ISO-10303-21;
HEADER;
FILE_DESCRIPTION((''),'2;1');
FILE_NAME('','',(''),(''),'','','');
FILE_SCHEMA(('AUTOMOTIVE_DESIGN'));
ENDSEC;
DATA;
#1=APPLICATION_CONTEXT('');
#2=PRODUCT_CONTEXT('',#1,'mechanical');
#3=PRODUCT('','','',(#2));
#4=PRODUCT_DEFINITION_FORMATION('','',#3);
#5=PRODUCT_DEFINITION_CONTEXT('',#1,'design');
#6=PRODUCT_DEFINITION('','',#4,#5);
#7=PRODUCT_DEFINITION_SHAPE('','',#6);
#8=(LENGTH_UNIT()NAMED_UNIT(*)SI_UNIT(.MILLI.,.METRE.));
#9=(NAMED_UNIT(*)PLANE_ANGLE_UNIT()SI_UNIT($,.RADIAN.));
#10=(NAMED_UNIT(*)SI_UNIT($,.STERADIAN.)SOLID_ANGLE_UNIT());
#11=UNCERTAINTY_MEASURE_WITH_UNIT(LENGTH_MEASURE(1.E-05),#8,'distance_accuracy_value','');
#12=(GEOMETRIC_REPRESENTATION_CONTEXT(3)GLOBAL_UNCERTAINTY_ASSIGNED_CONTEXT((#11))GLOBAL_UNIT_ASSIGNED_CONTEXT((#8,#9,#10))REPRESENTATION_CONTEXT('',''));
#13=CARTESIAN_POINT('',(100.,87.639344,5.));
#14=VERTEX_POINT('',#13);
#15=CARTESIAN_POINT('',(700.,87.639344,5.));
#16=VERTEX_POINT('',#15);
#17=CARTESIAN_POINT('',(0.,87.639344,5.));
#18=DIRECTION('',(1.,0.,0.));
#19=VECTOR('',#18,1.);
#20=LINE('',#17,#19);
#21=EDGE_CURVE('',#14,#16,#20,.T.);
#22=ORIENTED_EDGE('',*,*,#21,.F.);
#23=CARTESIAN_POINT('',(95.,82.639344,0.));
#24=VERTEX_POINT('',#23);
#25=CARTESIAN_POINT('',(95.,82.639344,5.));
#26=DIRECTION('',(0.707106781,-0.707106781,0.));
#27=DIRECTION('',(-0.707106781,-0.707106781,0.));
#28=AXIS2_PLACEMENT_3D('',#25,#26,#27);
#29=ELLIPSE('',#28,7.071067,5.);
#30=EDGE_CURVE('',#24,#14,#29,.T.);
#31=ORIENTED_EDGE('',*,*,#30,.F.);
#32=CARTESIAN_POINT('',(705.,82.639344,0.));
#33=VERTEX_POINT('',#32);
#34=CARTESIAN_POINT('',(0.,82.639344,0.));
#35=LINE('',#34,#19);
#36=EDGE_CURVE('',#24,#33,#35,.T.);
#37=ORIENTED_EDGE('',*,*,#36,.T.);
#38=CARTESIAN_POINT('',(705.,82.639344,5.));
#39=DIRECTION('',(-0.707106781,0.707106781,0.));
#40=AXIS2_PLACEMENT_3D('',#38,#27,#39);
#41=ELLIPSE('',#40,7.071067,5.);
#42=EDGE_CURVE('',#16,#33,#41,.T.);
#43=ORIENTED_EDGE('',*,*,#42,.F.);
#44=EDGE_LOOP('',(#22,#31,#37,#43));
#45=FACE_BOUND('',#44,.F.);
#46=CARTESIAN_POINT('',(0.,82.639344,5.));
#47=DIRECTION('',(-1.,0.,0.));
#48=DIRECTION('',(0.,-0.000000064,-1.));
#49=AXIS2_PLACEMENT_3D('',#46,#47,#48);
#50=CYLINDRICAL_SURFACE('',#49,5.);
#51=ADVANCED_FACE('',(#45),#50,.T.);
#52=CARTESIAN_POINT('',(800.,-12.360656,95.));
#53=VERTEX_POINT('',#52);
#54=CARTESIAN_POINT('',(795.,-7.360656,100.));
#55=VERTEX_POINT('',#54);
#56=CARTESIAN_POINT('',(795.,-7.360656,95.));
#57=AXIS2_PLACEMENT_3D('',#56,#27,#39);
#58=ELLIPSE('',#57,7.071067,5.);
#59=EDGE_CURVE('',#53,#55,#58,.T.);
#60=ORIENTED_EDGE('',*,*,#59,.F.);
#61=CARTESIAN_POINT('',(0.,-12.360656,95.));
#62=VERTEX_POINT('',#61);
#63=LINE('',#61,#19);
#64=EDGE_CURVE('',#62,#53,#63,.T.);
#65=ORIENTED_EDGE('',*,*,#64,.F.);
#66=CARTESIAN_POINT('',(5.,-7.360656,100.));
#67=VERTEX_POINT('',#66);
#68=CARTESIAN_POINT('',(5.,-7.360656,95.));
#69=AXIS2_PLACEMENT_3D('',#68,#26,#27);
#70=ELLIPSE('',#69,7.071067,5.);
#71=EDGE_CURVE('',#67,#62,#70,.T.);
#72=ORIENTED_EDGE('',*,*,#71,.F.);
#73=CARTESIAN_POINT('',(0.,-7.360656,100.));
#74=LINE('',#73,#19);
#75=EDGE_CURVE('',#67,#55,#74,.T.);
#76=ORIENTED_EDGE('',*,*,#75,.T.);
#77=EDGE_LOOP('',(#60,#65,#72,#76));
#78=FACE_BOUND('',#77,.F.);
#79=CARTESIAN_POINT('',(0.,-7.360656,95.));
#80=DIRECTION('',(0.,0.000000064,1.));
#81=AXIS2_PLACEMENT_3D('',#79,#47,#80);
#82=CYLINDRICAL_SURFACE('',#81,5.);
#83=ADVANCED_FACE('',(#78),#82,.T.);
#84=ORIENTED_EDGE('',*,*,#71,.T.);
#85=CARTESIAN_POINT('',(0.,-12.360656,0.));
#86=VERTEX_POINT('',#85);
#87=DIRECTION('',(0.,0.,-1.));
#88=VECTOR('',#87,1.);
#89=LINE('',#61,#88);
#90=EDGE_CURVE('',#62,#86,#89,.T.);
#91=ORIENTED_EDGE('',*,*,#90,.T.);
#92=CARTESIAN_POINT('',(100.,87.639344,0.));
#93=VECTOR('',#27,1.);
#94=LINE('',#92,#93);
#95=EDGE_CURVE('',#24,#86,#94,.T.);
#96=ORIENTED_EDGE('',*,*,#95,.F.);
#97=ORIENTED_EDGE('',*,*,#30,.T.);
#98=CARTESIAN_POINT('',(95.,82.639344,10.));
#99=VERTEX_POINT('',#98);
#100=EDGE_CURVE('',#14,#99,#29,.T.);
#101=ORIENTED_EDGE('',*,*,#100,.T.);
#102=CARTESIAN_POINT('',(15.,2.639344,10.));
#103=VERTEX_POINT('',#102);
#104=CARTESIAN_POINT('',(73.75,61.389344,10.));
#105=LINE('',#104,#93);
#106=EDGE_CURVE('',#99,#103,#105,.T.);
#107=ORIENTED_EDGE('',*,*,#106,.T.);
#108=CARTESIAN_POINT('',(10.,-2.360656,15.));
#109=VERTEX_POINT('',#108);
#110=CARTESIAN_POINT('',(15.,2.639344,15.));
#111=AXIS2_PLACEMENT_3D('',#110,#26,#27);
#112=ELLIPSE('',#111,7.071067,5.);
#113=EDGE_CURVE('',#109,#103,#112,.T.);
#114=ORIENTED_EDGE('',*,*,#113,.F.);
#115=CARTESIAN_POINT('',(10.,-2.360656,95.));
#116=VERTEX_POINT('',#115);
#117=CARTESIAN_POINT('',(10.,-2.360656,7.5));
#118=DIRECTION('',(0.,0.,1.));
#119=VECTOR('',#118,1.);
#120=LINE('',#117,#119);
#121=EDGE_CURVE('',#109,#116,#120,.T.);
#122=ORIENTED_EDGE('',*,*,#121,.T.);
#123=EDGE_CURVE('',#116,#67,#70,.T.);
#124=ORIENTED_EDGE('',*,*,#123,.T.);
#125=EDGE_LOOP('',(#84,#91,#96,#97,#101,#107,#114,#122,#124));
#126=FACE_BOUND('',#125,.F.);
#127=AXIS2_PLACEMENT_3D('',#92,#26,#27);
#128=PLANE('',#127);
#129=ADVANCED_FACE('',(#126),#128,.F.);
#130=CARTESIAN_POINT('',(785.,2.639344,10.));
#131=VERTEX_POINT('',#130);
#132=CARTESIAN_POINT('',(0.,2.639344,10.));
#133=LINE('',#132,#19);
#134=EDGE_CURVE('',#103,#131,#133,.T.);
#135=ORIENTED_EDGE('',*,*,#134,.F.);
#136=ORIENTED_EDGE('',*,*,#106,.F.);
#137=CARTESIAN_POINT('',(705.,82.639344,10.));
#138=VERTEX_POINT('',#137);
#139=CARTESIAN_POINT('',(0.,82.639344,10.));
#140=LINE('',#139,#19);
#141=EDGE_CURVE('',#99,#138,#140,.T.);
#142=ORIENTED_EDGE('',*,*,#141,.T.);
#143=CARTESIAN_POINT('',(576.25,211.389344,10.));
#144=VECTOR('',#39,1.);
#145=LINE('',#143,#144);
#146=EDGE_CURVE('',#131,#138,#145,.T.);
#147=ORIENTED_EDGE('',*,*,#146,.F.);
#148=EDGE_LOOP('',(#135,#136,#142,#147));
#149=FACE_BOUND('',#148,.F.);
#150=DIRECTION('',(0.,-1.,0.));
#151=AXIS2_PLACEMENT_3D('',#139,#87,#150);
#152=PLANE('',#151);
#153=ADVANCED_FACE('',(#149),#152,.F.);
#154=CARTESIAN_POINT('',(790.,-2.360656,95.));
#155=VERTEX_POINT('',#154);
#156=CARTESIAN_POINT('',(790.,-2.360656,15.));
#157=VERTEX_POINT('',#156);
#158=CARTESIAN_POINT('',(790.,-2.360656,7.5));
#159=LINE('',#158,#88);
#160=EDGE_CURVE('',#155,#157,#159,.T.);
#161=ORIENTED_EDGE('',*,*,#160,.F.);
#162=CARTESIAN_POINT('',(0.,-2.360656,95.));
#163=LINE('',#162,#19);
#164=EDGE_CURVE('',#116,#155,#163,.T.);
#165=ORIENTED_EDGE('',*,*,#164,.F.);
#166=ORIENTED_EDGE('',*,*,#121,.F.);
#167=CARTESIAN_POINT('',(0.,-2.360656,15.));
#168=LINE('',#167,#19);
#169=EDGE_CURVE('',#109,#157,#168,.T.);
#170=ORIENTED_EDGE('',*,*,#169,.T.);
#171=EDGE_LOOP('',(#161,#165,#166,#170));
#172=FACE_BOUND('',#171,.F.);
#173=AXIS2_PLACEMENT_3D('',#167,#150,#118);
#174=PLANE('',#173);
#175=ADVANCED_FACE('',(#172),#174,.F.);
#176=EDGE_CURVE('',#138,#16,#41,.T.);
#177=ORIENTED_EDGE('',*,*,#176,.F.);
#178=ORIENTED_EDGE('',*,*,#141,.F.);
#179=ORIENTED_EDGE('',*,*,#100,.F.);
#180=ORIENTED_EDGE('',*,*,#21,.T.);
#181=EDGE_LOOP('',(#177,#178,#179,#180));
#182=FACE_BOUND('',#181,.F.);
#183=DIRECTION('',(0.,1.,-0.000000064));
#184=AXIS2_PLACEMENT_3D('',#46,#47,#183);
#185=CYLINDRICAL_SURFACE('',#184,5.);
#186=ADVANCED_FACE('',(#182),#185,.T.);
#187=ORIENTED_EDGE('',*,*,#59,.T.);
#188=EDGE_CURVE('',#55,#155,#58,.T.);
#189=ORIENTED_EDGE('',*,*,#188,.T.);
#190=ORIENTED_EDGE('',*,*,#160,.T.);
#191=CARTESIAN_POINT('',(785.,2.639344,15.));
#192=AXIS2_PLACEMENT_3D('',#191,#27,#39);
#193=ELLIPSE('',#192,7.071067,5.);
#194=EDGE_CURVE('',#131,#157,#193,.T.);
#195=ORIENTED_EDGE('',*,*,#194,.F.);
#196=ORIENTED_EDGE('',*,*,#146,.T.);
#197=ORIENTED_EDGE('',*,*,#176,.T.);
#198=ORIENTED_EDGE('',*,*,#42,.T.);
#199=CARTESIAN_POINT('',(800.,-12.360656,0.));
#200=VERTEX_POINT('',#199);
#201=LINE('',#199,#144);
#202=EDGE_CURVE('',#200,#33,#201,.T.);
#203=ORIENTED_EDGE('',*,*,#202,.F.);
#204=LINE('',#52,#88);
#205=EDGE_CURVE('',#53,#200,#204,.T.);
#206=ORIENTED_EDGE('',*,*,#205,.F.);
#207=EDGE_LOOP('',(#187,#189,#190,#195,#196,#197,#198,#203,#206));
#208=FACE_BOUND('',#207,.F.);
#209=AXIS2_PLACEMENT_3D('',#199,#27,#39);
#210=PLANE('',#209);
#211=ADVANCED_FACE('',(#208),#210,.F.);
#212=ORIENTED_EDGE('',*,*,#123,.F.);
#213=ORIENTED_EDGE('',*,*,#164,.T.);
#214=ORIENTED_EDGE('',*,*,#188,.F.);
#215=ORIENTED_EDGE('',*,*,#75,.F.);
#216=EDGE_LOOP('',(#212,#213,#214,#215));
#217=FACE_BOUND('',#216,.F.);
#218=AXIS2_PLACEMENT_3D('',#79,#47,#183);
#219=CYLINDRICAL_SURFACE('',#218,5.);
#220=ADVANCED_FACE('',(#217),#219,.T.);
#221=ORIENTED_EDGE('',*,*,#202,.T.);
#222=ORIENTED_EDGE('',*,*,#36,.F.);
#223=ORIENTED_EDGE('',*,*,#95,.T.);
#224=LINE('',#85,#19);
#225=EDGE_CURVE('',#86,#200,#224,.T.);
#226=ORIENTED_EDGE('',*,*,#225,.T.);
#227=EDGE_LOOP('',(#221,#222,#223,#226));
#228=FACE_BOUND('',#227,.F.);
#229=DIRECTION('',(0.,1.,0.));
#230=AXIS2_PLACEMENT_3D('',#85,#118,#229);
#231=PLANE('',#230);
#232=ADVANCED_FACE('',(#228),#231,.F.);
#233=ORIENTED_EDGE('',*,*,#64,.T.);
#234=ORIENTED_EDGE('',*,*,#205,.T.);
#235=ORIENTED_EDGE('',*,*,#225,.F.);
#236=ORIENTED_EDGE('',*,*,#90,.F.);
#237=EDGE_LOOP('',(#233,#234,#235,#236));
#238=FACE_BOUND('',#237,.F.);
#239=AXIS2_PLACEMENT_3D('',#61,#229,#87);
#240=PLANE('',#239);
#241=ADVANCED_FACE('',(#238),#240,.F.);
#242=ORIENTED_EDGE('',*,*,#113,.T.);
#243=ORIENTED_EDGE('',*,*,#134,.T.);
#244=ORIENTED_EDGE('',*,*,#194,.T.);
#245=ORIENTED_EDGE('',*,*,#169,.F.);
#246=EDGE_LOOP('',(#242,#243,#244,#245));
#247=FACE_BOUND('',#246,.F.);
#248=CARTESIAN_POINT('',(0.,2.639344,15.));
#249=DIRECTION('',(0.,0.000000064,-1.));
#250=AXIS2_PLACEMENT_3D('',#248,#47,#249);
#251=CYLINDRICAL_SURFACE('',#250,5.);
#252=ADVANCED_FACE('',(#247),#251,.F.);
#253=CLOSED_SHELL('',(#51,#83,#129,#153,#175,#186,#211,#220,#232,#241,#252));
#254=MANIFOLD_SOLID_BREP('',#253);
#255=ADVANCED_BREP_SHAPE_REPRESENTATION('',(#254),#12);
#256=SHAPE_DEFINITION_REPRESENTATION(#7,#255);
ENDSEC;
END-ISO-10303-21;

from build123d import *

# Parameters (mm, degrees)
F1_DEPTH = 800
F3_DEPTH = 100
F5_DEPTH = 100.001


with BuildPart() as f1:
    # F0 (on Right) → F1 (new body)
    with BuildSketch(Plane.YZ):
        with BuildLine():
            Line((-12.360656, 95), (-12.360656, 0))
            Line((-12.360656, 0), (82.639344, 0))
            ThreePointArc((82.639344, 0), (86.174878, 1.464466), (87.639344, 5))
            ThreePointArc((87.639344, 5), (86.174878, 8.535534), (82.639344, 10))
            Line((82.639344, 10), (2.639344, 10))
            ThreePointArc((2.639344, 10), (-0.89619, 11.464466), (-2.360656, 15))
            Line((-2.360656, 15), (-2.360656, 95))
            ThreePointArc((-2.360656, 95), (-3.825122, 98.535534), (-7.360656, 100))
            ThreePointArc((-7.360656, 100), (-10.89619, 98.535534), (-12.360656, 95))
        make_face()
    extrude(amount=F1_DEPTH)

    # F2 (on face) → F3 (cut)
    with BuildSketch(Plane(origin=(0, 0, 0), x_dir=(1, 0, 0), z_dir=(0, 0, -1))):
        Polygon((800, -82.639344), (800, 12.360656), (705, -82.639344), align=None)
        Polygon((800, -87.639344), (800, -82.639344), (705, -82.639344), (700, -87.639344), align=None)
    extrude(amount=-F3_DEPTH, mode=Mode.SUBTRACT)

    # F4 (on face) → F5 (cut, through all)
    with BuildSketch(Plane(origin=(0, 0, 0), x_dir=(1, 0, 0), z_dir=(0, 0, -1))):
        Polygon((95, -82.639344), (0, -82.639344), (0, -87.639344), (100, -87.639344), align=None)
        Polygon((95, -82.639344), (0, 12.360656), (0, -82.639344), align=None)
    extrude(amount=-F5_DEPTH, mode=Mode.SUBTRACT)


solid = f1.part
